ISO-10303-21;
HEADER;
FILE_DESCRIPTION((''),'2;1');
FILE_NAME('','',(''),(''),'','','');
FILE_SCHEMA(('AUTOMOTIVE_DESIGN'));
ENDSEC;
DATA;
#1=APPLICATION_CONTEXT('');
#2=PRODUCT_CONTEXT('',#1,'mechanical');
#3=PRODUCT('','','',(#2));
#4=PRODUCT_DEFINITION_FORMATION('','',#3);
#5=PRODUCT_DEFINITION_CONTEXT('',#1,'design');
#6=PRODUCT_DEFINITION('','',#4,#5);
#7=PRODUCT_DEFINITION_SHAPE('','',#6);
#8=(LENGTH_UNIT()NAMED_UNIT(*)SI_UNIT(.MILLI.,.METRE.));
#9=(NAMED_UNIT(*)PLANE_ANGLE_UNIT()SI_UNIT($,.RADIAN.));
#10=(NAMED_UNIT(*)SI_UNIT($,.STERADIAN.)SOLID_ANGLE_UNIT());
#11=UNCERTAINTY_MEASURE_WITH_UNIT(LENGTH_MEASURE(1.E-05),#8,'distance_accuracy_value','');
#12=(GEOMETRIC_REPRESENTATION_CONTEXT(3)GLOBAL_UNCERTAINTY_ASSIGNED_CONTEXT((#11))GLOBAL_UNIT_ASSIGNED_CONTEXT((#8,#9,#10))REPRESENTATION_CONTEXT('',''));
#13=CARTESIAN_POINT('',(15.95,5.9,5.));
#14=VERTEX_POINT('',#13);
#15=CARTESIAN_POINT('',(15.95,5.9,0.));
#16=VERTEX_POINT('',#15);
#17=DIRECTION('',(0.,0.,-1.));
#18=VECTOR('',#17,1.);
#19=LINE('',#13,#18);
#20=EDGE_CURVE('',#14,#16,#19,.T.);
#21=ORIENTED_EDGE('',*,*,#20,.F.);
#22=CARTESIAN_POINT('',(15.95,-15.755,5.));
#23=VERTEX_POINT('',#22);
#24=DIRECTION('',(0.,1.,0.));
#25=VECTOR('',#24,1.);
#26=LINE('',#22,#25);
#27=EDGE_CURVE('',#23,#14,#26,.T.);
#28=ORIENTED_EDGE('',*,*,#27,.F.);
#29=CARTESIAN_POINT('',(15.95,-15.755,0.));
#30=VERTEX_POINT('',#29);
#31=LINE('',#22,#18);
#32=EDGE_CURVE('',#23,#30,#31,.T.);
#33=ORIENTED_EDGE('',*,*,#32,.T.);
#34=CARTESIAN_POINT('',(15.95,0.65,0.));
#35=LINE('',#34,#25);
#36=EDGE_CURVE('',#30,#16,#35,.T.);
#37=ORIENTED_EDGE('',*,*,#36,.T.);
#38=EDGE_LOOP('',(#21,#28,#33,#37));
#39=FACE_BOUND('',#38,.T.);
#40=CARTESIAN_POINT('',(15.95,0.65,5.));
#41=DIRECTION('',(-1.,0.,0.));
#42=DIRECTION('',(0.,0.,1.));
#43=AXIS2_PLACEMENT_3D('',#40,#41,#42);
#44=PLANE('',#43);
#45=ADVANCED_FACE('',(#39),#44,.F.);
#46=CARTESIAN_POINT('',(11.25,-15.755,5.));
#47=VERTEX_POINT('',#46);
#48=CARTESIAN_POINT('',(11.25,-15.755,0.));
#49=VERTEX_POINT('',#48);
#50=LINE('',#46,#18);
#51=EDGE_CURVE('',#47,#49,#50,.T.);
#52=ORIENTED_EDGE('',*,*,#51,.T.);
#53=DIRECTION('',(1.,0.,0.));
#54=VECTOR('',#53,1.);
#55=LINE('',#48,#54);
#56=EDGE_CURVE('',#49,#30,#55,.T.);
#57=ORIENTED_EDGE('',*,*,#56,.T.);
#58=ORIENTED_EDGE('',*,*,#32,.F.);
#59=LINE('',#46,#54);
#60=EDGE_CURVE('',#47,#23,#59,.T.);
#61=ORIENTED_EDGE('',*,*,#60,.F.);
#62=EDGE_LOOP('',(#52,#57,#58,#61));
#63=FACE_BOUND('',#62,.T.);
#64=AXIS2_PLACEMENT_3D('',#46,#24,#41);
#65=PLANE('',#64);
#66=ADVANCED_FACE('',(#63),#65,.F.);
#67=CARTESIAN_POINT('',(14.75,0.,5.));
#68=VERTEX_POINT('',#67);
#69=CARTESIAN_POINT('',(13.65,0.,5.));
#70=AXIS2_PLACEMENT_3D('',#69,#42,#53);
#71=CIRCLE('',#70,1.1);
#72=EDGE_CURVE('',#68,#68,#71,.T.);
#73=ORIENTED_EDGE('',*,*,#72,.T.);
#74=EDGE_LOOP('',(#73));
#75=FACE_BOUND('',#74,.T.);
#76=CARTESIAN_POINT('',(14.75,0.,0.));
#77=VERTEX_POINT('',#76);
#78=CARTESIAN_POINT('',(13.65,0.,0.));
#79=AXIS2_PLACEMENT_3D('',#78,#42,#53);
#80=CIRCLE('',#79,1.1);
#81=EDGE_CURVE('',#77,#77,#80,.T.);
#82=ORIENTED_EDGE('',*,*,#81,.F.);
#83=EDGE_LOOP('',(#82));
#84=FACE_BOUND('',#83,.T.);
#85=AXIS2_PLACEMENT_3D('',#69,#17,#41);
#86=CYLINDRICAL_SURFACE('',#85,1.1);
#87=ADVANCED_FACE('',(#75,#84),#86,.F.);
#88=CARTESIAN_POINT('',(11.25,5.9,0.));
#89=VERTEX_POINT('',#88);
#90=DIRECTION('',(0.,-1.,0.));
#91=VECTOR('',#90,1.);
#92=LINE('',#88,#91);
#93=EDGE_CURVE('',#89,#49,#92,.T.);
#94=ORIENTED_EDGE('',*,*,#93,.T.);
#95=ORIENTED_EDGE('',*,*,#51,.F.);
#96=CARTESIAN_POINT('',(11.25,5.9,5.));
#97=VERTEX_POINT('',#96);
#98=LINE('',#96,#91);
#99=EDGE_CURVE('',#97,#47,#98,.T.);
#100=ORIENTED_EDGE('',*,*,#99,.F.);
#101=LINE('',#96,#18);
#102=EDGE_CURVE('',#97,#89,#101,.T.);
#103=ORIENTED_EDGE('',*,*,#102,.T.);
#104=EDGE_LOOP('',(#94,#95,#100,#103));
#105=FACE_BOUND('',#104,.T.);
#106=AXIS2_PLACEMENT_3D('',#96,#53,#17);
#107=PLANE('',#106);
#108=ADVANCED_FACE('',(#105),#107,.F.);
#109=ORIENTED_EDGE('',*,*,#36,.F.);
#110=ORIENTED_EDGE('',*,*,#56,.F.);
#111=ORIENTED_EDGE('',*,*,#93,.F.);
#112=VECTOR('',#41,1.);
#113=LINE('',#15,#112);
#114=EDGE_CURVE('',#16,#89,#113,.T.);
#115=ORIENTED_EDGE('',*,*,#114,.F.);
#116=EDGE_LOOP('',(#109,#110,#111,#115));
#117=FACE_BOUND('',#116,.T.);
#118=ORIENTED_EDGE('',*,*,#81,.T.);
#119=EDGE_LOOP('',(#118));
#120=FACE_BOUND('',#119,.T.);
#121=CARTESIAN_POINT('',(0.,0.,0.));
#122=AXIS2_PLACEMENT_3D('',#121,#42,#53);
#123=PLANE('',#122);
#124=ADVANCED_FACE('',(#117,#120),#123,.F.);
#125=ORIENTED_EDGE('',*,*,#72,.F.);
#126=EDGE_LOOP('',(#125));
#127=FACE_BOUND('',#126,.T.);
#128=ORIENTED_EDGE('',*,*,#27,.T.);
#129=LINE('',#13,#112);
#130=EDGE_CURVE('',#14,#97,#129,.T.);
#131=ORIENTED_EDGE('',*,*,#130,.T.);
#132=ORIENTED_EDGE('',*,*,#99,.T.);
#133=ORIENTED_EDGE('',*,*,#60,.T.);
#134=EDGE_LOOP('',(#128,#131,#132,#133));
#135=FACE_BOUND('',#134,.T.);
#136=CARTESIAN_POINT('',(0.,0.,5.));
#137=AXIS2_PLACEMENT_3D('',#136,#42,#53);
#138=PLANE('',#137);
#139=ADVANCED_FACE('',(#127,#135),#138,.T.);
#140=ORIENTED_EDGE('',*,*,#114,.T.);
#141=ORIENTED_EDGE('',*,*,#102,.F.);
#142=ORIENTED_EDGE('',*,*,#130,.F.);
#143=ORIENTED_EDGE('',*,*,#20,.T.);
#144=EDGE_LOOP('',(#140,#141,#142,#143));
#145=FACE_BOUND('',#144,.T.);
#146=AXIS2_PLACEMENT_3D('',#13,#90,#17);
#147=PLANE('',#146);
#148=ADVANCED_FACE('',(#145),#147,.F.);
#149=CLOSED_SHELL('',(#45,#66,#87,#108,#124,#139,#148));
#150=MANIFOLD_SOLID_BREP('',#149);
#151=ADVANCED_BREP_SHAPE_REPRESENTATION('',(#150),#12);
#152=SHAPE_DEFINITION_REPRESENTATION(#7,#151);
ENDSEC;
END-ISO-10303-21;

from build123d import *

# Parameters (mm, degrees)
SKETCH_1_R      = 1.1
EXTRUDE_1_DEPTH = 5


with BuildPart() as part:
    # 草图1 → 凸台-拉伸1 (new body)
    with BuildSketch(Plane.XY):
        Polygon((11.25, -15.755), (15.95, -15.755), (15.95, 0.65), (15.95, 5.9), (11.25, 5.9), align=None)
        with Locations((13.65, 0)):
            Circle(SKETCH_1_R, mode=Mode.SUBTRACT)
    extrude(amount=EXTRUDE_1_DEPTH)


solid = part.part
